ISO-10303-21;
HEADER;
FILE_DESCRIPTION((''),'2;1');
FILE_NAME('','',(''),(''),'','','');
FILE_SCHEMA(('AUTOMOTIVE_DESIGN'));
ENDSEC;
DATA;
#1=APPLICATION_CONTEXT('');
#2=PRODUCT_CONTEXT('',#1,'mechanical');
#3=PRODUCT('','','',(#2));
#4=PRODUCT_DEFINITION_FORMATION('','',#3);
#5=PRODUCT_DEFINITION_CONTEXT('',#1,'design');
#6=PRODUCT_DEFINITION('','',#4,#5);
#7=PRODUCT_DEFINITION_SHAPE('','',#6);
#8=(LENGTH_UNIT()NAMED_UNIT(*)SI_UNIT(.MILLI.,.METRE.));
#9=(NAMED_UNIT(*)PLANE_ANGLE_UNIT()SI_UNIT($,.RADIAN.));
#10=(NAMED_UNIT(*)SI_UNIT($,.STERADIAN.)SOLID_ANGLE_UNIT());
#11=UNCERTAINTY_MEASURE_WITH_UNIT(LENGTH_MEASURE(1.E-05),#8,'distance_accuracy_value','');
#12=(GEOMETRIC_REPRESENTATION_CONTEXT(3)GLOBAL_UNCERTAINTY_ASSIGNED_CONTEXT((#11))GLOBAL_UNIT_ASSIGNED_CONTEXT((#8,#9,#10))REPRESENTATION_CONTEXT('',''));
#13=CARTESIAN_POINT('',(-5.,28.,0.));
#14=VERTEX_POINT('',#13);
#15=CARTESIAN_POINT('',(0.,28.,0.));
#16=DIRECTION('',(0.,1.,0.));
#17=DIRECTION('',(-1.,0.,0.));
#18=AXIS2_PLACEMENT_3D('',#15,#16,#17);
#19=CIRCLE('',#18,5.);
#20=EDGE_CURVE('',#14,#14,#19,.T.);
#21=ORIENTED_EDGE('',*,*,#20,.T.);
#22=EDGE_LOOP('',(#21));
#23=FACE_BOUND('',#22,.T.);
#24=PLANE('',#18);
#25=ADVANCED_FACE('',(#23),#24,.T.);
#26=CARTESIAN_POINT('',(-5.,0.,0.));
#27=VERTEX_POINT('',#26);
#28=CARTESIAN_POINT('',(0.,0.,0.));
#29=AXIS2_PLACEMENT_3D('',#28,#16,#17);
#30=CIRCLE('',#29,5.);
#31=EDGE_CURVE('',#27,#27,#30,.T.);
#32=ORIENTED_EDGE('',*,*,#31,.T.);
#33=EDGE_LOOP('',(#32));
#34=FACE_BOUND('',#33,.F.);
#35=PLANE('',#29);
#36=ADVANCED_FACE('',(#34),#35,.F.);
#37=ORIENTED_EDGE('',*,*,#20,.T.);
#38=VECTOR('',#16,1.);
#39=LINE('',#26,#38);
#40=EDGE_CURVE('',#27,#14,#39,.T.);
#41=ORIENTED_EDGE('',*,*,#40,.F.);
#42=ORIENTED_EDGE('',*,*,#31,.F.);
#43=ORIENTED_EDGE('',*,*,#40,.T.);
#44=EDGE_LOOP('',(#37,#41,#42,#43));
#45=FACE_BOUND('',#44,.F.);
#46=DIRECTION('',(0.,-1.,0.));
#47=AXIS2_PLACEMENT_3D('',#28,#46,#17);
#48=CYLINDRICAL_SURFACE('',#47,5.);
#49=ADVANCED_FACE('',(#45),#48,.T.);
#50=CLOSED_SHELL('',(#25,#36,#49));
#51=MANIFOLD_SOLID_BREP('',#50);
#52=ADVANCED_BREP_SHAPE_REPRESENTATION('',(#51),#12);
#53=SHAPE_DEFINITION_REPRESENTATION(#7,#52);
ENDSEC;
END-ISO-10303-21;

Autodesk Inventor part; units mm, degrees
ref_plane "YZ Plane" through (0, 0, 0) normal (1, 0, 0) x (0, 1, 0)
ref_plane "XZ Plane" through (0, 0, 0) normal (0, 1, 0) x (-1, 0, 0)
ref_plane "XY Plane" through (0, 0, 0) normal (0, 0, 1) x (1, 0, 0)
sketch "Эскиз1" plane through (0, 0, 0) normal (0, 1, 0) x (-1, 0, 0)
  circle A0 centre (0, 0) radius 5
  dimension "d0" = 10
extrude "Выдавливание1" add sketch "Эскиз1" along normal blind 28
properties part number "Вал перемещение по резьбе"
